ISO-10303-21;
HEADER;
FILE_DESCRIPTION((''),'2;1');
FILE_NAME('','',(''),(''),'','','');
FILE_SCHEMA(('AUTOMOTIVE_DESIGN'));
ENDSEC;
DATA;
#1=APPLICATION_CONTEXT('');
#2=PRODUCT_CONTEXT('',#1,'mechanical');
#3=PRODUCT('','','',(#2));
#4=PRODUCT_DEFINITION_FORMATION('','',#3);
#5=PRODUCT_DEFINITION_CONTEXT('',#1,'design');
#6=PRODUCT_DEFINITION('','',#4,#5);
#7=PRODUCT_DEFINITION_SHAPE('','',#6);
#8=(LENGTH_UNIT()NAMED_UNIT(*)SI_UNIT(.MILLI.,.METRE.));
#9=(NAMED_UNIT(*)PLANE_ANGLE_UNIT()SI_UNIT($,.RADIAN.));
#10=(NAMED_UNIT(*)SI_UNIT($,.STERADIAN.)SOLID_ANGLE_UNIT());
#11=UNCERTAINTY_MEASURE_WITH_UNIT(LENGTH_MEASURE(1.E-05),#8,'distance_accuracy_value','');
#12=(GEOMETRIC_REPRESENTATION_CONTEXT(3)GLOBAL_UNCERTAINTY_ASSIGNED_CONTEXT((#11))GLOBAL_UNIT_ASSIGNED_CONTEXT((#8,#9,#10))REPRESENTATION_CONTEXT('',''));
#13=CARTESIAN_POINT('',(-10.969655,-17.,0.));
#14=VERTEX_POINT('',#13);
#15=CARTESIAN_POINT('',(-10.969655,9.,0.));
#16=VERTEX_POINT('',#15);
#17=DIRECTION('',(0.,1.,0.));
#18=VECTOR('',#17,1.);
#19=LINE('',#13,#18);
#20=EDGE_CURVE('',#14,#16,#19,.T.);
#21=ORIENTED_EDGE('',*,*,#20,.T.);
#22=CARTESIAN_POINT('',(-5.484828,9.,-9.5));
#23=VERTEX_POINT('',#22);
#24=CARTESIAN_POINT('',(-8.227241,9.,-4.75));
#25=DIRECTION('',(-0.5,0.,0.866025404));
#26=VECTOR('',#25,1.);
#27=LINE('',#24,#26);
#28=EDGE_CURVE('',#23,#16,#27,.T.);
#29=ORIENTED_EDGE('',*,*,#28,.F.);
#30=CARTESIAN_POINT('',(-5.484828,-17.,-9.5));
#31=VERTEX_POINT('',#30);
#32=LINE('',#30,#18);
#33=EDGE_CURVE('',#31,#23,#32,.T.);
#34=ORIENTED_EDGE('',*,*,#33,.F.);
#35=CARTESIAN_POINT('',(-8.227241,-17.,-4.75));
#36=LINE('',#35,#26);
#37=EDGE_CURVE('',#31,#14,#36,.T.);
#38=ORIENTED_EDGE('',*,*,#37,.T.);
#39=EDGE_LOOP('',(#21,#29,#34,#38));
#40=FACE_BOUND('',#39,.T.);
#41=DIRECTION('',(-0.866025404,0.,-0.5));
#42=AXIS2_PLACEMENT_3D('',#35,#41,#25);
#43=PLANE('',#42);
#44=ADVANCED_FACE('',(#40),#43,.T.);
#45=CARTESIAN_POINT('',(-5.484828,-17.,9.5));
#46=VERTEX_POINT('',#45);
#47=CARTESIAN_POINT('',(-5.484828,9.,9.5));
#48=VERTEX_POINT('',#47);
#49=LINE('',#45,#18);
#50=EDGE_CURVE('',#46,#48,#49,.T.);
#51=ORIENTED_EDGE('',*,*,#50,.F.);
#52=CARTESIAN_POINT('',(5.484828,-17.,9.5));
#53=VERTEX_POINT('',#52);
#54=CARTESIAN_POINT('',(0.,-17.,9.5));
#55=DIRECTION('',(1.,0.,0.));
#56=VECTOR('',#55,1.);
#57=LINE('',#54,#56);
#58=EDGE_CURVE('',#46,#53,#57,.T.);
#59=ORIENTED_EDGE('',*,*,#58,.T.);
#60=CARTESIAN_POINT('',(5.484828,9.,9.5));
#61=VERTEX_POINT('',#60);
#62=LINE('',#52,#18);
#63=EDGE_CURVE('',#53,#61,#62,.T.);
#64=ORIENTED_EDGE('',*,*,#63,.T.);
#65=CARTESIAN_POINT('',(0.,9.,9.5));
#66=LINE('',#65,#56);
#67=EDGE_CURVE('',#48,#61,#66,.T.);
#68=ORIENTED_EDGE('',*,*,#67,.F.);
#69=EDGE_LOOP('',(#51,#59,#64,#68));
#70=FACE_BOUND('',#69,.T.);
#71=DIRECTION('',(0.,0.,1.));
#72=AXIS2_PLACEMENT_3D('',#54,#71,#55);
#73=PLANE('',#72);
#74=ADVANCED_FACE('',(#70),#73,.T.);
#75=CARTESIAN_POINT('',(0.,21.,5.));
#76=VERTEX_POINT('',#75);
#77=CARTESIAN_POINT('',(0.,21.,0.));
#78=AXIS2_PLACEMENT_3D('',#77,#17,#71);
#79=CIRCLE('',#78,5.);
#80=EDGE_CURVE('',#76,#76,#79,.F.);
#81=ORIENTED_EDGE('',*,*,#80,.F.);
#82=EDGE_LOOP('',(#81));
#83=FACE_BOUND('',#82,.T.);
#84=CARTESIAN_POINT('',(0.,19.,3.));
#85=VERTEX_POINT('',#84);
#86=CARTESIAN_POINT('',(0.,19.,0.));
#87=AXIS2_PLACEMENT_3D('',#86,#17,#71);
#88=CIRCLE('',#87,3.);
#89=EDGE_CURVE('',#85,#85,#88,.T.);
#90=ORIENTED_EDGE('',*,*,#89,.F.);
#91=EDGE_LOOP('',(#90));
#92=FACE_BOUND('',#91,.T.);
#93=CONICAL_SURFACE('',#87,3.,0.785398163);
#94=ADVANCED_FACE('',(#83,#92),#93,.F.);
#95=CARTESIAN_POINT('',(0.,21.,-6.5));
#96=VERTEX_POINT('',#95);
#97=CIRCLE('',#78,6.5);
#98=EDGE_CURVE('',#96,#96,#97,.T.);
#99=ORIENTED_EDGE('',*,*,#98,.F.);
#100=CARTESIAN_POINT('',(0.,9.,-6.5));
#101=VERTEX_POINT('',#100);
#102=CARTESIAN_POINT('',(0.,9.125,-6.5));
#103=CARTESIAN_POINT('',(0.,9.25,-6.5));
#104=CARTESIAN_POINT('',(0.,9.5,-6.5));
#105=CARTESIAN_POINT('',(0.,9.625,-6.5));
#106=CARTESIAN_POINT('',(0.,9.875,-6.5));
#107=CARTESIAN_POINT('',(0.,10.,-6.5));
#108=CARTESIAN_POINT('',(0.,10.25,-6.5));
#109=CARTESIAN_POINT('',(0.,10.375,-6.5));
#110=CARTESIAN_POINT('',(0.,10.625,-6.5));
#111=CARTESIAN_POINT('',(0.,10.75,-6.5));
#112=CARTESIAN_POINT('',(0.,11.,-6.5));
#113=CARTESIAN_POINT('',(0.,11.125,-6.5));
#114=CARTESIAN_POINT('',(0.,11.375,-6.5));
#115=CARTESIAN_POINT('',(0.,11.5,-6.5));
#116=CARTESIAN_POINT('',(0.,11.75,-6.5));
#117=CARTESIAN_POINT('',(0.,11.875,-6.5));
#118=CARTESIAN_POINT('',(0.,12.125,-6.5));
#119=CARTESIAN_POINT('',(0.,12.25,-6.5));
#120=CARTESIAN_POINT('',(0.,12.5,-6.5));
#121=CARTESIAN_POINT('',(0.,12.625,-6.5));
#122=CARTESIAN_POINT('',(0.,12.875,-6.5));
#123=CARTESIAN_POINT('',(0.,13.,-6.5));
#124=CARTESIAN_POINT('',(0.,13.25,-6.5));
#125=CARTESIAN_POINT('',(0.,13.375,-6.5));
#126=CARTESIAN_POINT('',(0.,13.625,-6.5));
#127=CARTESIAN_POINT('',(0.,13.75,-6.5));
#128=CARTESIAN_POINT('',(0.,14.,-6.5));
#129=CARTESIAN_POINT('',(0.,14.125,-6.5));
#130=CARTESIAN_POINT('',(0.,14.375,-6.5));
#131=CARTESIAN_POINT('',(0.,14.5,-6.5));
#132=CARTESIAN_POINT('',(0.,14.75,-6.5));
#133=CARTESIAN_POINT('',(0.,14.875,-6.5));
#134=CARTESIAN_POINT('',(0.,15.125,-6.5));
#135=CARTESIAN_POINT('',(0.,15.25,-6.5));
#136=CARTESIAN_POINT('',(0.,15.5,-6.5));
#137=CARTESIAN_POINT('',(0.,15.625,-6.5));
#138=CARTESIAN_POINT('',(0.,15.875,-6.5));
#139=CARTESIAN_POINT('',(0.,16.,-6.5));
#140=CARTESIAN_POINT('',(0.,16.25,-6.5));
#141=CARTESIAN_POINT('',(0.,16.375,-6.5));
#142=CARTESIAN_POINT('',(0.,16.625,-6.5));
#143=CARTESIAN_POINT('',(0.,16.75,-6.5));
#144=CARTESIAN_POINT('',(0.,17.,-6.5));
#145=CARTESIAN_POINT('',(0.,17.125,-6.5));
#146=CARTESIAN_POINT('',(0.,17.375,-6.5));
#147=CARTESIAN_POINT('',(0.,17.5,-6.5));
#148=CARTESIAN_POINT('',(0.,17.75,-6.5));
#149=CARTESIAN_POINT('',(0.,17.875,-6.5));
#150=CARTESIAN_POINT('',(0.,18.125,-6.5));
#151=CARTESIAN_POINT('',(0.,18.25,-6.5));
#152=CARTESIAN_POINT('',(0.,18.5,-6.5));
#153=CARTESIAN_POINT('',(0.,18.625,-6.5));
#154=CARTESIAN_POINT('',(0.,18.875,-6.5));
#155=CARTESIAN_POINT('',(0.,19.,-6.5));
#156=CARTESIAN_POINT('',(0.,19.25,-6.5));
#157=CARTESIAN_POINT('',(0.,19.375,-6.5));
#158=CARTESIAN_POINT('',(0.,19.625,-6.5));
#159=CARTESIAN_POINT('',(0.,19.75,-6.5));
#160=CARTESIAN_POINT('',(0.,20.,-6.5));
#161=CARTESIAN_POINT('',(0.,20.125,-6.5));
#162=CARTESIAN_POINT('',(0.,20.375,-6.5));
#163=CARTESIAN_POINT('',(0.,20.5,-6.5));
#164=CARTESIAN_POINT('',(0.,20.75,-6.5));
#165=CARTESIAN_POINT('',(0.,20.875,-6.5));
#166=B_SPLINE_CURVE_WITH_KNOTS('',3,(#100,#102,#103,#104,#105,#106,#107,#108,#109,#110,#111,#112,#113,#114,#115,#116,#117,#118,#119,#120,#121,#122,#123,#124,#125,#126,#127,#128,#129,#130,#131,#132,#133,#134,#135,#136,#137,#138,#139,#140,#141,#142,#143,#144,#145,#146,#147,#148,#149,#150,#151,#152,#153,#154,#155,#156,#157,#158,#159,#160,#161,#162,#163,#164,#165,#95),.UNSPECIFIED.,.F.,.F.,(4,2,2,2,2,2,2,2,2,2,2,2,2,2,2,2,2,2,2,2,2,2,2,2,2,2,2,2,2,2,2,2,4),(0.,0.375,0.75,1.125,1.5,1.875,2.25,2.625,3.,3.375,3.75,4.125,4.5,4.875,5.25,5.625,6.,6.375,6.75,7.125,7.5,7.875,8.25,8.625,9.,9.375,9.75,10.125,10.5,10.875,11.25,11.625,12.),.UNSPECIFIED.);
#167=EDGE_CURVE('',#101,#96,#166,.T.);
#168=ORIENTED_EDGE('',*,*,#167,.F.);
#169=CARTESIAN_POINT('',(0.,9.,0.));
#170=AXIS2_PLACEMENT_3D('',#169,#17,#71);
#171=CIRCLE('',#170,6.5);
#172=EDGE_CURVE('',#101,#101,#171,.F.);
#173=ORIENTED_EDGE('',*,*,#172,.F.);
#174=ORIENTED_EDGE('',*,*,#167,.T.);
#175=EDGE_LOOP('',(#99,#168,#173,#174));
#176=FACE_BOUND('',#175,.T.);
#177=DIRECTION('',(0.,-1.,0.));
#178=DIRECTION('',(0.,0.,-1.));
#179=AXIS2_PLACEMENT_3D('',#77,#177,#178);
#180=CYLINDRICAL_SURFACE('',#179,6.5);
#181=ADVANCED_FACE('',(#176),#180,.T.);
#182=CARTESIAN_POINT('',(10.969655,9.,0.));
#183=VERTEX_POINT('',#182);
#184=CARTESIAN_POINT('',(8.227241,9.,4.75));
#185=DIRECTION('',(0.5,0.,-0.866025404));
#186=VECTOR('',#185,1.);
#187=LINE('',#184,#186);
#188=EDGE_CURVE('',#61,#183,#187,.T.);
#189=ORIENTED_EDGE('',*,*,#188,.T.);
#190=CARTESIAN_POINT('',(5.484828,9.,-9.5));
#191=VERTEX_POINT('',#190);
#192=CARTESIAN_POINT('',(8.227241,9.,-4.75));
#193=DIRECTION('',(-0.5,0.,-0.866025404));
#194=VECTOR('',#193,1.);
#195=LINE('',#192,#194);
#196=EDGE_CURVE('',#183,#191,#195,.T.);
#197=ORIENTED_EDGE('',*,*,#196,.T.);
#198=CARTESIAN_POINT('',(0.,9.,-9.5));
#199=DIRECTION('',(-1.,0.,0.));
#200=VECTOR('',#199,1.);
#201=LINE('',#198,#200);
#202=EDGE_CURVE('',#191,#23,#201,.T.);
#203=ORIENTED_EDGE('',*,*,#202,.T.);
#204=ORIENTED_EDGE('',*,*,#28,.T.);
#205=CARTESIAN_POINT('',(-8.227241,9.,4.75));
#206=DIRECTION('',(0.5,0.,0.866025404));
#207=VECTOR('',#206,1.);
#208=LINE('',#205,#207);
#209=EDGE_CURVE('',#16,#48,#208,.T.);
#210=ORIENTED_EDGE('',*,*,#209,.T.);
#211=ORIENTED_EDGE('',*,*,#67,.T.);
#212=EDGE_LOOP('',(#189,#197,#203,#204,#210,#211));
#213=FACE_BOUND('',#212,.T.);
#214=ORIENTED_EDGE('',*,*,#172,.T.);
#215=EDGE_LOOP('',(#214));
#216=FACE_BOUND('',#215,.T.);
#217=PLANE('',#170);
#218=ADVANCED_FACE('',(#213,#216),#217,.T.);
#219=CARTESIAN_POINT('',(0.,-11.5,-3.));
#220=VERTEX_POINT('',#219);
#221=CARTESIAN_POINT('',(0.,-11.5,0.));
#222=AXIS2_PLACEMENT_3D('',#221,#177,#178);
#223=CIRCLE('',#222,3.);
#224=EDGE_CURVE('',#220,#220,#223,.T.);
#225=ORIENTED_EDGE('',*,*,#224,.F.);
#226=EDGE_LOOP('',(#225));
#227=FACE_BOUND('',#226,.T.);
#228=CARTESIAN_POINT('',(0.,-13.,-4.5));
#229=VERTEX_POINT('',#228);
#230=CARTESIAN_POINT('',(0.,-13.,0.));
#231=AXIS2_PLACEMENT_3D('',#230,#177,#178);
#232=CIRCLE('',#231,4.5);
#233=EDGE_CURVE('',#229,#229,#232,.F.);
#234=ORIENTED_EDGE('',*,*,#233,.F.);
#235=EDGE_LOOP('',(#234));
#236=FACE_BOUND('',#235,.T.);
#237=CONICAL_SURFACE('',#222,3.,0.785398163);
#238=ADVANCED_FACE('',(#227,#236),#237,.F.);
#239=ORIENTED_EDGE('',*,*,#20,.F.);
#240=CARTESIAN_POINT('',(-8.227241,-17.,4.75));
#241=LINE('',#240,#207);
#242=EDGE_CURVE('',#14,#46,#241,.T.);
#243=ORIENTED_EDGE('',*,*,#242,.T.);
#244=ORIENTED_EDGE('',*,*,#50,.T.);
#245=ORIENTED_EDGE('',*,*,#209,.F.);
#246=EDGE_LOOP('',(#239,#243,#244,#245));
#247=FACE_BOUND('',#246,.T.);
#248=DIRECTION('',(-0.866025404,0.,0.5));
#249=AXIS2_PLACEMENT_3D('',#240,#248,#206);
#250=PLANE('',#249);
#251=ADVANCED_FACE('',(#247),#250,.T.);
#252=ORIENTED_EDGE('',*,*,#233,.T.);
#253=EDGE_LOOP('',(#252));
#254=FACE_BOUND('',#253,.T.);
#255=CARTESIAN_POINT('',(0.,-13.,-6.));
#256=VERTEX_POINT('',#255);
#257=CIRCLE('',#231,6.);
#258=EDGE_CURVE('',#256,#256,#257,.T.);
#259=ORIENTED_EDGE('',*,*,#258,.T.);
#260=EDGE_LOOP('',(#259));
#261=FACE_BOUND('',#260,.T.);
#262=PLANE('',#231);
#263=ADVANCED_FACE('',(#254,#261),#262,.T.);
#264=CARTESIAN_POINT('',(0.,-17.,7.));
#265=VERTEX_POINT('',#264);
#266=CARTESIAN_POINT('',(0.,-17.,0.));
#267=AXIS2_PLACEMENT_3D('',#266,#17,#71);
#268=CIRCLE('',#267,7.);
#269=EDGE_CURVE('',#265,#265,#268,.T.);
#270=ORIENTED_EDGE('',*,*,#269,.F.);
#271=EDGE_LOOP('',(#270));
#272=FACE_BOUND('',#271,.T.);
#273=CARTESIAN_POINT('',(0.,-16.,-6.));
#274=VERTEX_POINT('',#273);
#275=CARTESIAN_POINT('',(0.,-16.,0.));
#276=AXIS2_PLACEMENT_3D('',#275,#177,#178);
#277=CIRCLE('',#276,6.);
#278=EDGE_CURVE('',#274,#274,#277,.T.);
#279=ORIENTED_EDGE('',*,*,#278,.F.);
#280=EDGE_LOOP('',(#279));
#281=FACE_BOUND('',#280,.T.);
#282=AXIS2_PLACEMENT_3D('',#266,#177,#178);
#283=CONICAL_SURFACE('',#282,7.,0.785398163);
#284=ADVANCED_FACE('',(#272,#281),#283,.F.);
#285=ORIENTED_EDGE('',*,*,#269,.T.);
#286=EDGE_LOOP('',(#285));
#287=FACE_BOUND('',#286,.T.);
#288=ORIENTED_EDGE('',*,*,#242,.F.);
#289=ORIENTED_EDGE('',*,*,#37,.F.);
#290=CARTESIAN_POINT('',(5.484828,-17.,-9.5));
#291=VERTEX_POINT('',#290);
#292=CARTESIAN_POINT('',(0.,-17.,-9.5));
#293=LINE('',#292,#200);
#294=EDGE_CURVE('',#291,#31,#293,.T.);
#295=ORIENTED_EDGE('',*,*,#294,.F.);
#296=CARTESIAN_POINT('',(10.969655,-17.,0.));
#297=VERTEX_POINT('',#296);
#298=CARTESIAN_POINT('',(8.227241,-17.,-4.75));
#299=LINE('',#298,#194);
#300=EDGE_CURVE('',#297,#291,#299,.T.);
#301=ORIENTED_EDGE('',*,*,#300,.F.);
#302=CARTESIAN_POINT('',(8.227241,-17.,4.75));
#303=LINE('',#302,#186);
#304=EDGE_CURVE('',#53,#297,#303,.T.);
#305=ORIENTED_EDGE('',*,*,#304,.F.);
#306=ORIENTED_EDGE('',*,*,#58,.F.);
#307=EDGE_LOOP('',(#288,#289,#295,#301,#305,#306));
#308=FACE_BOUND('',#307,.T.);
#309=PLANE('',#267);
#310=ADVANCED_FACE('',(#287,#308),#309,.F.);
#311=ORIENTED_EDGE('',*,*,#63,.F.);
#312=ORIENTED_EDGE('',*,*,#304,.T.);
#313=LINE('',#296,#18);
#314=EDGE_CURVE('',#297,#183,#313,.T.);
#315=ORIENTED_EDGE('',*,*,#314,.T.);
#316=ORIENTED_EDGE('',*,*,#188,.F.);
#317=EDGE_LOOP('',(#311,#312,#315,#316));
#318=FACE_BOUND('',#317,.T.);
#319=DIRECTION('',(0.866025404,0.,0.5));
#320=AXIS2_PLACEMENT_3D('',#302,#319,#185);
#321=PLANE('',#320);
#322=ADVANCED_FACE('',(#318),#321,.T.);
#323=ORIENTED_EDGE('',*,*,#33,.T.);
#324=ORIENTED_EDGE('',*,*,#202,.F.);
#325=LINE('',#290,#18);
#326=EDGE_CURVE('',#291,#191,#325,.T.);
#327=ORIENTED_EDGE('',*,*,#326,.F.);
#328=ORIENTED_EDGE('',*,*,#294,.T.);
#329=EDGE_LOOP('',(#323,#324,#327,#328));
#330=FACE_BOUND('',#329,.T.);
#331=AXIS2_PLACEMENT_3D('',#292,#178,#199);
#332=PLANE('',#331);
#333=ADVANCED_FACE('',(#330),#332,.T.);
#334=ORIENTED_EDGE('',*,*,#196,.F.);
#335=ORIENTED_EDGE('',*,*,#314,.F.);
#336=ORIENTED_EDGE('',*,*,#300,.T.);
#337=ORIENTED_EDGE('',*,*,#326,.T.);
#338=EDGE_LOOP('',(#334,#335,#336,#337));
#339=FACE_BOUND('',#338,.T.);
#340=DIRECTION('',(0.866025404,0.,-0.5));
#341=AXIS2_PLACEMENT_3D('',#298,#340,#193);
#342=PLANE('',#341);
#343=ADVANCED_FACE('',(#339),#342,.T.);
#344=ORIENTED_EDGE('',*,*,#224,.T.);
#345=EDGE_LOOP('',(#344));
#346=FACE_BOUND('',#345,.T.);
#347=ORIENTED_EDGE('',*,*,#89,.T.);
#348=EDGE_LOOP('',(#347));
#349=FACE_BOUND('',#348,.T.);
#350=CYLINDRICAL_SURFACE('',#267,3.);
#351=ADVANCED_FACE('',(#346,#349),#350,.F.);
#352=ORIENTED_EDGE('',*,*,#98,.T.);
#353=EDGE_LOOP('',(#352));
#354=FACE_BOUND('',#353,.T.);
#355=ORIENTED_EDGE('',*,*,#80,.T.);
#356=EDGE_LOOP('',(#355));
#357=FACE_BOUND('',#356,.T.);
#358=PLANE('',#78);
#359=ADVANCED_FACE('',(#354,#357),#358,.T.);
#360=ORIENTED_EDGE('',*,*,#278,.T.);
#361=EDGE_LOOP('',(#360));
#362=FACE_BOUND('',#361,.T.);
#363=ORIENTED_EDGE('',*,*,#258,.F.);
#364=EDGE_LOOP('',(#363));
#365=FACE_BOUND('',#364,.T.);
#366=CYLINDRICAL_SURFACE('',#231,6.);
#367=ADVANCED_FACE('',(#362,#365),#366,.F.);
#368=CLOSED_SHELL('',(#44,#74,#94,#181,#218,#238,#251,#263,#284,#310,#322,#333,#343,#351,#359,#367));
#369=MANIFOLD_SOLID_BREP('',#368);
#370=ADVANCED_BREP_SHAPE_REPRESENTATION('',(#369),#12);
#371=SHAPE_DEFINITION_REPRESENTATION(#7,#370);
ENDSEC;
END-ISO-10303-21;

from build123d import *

# Parameters (mm, degrees)
DODANIE_WYCI_GNI_CIE1_DEPTH      = 9
DODANIE_WYCI_GNI_CIE1_DEPTH_BACK = 17
SZKIC1_R                         = 3
SZKIC1_3_R                       = 6.5
SZKIC1_3_R_2                     = 3
DODANIE_WYCI_GNI_CIE2_DEPTH      = 21
SFAZOWANIE1_SIZE                 = 2
SFAZOWANIE2_SIZE                 = 4
SZKIC3_R                         = 6
WYTNIJ_WYCI_GNI_CIE1_DEPTH       = 4
SFAZOWANIE3_SIZE                 = 1.5


with BuildPart() as part:
    # Szkic1 → Dodanie-wyciągnięcie1 (new, two sides: drawn at the far end of the back side and taken through both)
    with BuildSketch(Plane(origin=(0, 0, 0), x_dir=(1, 0, 0), z_dir=(0, 1, 0)).offset(-DODANIE_WYCI_GNI_CIE1_DEPTH_BACK)):
        Polygon((-5.484827557, 9.5), (-10.969655115, 0), (-5.484827557, -9.5), (5.484827557, -9.5), (10.969655115, 0), (5.484827557, 9.5), align=None)
        Circle(SZKIC1_R, mode=Mode.SUBTRACT)
    extrude(amount=DODANIE_WYCI_GNI_CIE1_DEPTH + DODANIE_WYCI_GNI_CIE1_DEPTH_BACK)

    # Szkic1<3> → Dodanie-wyciągnięcie2 (add)
    with BuildSketch(Plane(origin=(0, 0, 0), x_dir=(1, 0, 0), z_dir=(0, 1, 0))):
        Circle(SZKIC1_3_R)
        Circle(SZKIC1_3_R_2, mode=Mode.SUBTRACT)
    extrude(amount=DODANIE_WYCI_GNI_CIE2_DEPTH)

    # Sfazowanie1
    sfazowanie1_edges = [part.edges().sort_by_distance(p)[0] for p in [
        (-3, 21, 0),
    ]]
    chamfer(sfazowanie1_edges, length=SFAZOWANIE1_SIZE)

    # Sfazowanie2
    sfazowanie2_edges = [part.edges().sort_by_distance(p)[0] for p in [
        (-3, -17, 0),
    ]]
    chamfer(sfazowanie2_edges, length=SFAZOWANIE2_SIZE)

    # Szkic3 → Wytnij-wyciągnięcie1 (cut)
    with BuildSketch(Plane.XZ.offset(17)):
        Circle(SZKIC3_R)
    extrude(amount=-WYTNIJ_WYCI_GNI_CIE1_DEPTH, mode=Mode.SUBTRACT)

    # Sfazowanie3
    sfazowanie3_edges = [part.edges().sort_by_distance(p)[0] for p in [
        (-3, -13, 0),
    ]]
    chamfer(sfazowanie3_edges, length=SFAZOWANIE3_SIZE)


solid = part.part
